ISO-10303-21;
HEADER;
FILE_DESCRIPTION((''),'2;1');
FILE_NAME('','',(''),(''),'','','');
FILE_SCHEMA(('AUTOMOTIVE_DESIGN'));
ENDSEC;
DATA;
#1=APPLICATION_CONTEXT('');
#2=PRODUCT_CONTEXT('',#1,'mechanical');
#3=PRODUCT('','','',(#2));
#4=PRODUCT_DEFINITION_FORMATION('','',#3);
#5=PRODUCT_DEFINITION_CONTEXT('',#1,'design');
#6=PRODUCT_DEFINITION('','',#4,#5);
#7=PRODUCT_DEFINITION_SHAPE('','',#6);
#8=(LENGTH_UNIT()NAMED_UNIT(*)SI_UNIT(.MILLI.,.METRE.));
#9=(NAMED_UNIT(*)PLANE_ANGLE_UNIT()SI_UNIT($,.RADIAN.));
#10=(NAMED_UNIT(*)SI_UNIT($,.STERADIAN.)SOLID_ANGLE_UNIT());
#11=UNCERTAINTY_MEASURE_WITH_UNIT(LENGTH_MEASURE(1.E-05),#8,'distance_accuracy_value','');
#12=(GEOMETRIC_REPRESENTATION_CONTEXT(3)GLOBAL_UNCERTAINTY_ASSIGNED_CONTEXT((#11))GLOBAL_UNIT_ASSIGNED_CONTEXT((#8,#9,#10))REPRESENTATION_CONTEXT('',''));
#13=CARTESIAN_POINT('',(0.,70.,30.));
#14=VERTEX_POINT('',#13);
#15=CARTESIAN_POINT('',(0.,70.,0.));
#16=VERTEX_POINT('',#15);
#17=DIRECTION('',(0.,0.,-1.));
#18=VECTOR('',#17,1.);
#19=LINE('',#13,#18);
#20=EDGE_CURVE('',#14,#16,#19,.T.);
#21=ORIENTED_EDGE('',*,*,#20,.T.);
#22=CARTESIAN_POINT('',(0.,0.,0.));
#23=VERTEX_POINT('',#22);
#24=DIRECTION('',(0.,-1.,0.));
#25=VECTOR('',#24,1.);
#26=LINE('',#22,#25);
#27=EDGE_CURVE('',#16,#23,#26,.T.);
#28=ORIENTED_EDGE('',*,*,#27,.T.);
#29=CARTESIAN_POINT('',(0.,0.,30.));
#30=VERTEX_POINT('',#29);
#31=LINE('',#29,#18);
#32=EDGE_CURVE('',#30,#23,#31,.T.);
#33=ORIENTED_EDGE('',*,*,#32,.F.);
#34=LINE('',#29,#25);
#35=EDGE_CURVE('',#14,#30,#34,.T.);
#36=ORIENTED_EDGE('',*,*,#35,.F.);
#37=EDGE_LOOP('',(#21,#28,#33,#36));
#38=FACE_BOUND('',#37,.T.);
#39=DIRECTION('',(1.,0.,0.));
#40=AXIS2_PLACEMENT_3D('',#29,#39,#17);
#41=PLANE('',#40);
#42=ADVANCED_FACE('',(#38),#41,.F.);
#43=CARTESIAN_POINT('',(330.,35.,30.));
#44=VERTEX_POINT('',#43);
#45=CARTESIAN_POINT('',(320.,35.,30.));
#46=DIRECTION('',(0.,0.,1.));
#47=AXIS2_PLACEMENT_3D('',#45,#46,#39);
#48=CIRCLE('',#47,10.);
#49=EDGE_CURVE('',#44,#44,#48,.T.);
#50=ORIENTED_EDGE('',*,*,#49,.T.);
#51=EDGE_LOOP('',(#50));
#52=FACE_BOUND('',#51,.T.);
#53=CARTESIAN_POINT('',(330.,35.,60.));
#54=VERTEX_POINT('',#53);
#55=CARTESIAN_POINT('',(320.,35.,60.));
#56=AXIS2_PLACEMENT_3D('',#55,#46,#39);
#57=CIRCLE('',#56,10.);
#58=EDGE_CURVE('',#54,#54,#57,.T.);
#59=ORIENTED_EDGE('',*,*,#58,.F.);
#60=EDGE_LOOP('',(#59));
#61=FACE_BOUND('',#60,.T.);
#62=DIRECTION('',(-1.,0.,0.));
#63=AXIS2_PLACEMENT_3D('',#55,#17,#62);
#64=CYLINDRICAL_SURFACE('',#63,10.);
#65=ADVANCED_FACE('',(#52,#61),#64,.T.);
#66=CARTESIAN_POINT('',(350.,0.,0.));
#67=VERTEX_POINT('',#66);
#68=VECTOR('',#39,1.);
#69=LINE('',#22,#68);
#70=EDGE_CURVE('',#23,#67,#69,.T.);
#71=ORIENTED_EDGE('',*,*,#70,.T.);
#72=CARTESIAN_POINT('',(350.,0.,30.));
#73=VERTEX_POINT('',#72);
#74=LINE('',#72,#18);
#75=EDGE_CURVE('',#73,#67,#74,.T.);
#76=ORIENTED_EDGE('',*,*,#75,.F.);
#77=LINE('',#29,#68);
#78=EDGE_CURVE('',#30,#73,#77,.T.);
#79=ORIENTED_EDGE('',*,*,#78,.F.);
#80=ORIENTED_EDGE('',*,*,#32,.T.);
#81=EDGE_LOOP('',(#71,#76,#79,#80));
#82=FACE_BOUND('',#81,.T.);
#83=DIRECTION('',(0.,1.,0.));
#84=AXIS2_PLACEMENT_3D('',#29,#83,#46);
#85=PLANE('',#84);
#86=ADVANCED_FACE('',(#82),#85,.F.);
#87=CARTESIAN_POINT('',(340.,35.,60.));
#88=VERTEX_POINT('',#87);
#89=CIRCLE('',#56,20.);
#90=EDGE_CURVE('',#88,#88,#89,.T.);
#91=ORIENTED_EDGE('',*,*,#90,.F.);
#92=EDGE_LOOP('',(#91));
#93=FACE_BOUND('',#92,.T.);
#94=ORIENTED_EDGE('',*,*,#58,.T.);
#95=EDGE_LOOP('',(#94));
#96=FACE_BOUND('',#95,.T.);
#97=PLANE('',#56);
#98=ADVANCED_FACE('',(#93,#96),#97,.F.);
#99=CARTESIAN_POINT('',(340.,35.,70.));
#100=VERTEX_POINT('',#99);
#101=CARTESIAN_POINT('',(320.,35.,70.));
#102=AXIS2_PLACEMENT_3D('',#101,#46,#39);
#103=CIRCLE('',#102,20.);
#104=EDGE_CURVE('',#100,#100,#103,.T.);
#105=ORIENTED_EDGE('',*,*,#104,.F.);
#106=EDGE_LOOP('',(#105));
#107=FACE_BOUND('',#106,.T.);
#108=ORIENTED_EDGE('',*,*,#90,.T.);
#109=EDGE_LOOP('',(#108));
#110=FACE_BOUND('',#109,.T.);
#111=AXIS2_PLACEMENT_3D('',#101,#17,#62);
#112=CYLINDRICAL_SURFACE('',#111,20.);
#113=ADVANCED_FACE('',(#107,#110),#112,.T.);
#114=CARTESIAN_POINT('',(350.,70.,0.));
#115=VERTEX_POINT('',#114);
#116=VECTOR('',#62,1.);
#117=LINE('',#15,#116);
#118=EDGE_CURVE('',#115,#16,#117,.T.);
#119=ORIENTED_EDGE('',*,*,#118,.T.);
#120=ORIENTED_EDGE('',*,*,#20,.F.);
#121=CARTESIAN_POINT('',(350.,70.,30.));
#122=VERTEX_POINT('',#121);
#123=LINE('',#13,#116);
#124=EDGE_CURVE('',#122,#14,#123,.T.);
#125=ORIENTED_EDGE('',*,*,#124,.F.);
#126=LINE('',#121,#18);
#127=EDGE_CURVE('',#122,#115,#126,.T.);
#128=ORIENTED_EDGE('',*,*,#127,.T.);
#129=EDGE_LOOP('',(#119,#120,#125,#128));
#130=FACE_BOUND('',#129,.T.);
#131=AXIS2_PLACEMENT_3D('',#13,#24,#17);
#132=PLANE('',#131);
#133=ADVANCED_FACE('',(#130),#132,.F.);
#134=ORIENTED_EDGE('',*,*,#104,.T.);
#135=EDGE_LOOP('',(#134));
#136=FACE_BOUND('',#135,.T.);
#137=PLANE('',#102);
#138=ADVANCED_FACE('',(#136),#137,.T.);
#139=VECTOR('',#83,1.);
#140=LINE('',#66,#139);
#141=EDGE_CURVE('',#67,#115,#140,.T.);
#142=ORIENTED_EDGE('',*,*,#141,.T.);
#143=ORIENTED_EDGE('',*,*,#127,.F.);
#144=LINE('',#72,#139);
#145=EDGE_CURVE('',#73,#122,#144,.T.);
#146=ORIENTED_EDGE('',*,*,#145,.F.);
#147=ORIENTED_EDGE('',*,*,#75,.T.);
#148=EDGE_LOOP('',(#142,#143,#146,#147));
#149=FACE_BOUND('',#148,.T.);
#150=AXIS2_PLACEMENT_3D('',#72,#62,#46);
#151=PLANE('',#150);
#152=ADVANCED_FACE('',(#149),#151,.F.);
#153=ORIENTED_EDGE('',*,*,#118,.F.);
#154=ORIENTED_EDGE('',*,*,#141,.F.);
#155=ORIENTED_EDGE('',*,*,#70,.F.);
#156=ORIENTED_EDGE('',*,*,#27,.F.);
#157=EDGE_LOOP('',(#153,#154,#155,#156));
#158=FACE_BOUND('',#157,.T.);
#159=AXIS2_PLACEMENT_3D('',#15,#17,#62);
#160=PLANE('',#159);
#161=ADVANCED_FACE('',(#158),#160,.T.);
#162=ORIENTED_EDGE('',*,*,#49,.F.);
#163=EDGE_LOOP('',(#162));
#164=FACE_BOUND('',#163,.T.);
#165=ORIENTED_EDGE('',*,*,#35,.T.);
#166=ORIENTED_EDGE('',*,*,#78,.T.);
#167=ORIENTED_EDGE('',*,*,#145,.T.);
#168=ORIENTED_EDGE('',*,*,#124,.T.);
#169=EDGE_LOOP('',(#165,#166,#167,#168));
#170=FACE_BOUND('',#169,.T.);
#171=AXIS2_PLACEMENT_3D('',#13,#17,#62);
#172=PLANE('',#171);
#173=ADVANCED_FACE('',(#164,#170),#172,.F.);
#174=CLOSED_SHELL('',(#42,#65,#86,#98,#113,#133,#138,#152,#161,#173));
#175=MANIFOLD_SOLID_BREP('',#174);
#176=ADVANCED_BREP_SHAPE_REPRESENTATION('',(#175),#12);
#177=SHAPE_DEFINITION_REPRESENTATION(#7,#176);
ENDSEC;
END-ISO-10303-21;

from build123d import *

# Parameters (mm, degrees)
CROQUIS1_W              = 350
CROQUIS1_H              = 70
SALIENTE_EXTRUIR1_DEPTH = 30
CROQUIS2_R              = 20
SALIENTE_EXTRUIR2_DEPTH = 40
CROQUIS4_R              = 20
CROQUIS4_R_2            = 10
CORTAR_EXTRUIR1_DEPTH   = 30


with BuildPart() as part:
    # Croquis1 → Saliente-Extruir1 (new body)
    with BuildSketch(Plane.XY):
        with Locations((175, 35)):
            Rectangle(CROQUIS1_W, CROQUIS1_H)
    extrude(amount=SALIENTE_EXTRUIR1_DEPTH)

    # Croquis2 → Saliente-Extruir2 (add)
    with BuildSketch(Plane.XY.offset(30)):
        with Locations(Location((320, 35, 0), (0, 0, 180))):
            Circle(CROQUIS2_R)
    extrude(amount=SALIENTE_EXTRUIR2_DEPTH)

    # Croquis4 → Cortar-Extruir1 (cut)
    with BuildSketch(Plane.XY.offset(30)):
        with Locations((320, 35)):
            Circle(CROQUIS4_R)
        with Locations((320, 35)):
            Circle(CROQUIS4_R_2, mode=Mode.SUBTRACT)
    extrude(amount=CORTAR_EXTRUIR1_DEPTH, mode=Mode.SUBTRACT)


solid = part.part
